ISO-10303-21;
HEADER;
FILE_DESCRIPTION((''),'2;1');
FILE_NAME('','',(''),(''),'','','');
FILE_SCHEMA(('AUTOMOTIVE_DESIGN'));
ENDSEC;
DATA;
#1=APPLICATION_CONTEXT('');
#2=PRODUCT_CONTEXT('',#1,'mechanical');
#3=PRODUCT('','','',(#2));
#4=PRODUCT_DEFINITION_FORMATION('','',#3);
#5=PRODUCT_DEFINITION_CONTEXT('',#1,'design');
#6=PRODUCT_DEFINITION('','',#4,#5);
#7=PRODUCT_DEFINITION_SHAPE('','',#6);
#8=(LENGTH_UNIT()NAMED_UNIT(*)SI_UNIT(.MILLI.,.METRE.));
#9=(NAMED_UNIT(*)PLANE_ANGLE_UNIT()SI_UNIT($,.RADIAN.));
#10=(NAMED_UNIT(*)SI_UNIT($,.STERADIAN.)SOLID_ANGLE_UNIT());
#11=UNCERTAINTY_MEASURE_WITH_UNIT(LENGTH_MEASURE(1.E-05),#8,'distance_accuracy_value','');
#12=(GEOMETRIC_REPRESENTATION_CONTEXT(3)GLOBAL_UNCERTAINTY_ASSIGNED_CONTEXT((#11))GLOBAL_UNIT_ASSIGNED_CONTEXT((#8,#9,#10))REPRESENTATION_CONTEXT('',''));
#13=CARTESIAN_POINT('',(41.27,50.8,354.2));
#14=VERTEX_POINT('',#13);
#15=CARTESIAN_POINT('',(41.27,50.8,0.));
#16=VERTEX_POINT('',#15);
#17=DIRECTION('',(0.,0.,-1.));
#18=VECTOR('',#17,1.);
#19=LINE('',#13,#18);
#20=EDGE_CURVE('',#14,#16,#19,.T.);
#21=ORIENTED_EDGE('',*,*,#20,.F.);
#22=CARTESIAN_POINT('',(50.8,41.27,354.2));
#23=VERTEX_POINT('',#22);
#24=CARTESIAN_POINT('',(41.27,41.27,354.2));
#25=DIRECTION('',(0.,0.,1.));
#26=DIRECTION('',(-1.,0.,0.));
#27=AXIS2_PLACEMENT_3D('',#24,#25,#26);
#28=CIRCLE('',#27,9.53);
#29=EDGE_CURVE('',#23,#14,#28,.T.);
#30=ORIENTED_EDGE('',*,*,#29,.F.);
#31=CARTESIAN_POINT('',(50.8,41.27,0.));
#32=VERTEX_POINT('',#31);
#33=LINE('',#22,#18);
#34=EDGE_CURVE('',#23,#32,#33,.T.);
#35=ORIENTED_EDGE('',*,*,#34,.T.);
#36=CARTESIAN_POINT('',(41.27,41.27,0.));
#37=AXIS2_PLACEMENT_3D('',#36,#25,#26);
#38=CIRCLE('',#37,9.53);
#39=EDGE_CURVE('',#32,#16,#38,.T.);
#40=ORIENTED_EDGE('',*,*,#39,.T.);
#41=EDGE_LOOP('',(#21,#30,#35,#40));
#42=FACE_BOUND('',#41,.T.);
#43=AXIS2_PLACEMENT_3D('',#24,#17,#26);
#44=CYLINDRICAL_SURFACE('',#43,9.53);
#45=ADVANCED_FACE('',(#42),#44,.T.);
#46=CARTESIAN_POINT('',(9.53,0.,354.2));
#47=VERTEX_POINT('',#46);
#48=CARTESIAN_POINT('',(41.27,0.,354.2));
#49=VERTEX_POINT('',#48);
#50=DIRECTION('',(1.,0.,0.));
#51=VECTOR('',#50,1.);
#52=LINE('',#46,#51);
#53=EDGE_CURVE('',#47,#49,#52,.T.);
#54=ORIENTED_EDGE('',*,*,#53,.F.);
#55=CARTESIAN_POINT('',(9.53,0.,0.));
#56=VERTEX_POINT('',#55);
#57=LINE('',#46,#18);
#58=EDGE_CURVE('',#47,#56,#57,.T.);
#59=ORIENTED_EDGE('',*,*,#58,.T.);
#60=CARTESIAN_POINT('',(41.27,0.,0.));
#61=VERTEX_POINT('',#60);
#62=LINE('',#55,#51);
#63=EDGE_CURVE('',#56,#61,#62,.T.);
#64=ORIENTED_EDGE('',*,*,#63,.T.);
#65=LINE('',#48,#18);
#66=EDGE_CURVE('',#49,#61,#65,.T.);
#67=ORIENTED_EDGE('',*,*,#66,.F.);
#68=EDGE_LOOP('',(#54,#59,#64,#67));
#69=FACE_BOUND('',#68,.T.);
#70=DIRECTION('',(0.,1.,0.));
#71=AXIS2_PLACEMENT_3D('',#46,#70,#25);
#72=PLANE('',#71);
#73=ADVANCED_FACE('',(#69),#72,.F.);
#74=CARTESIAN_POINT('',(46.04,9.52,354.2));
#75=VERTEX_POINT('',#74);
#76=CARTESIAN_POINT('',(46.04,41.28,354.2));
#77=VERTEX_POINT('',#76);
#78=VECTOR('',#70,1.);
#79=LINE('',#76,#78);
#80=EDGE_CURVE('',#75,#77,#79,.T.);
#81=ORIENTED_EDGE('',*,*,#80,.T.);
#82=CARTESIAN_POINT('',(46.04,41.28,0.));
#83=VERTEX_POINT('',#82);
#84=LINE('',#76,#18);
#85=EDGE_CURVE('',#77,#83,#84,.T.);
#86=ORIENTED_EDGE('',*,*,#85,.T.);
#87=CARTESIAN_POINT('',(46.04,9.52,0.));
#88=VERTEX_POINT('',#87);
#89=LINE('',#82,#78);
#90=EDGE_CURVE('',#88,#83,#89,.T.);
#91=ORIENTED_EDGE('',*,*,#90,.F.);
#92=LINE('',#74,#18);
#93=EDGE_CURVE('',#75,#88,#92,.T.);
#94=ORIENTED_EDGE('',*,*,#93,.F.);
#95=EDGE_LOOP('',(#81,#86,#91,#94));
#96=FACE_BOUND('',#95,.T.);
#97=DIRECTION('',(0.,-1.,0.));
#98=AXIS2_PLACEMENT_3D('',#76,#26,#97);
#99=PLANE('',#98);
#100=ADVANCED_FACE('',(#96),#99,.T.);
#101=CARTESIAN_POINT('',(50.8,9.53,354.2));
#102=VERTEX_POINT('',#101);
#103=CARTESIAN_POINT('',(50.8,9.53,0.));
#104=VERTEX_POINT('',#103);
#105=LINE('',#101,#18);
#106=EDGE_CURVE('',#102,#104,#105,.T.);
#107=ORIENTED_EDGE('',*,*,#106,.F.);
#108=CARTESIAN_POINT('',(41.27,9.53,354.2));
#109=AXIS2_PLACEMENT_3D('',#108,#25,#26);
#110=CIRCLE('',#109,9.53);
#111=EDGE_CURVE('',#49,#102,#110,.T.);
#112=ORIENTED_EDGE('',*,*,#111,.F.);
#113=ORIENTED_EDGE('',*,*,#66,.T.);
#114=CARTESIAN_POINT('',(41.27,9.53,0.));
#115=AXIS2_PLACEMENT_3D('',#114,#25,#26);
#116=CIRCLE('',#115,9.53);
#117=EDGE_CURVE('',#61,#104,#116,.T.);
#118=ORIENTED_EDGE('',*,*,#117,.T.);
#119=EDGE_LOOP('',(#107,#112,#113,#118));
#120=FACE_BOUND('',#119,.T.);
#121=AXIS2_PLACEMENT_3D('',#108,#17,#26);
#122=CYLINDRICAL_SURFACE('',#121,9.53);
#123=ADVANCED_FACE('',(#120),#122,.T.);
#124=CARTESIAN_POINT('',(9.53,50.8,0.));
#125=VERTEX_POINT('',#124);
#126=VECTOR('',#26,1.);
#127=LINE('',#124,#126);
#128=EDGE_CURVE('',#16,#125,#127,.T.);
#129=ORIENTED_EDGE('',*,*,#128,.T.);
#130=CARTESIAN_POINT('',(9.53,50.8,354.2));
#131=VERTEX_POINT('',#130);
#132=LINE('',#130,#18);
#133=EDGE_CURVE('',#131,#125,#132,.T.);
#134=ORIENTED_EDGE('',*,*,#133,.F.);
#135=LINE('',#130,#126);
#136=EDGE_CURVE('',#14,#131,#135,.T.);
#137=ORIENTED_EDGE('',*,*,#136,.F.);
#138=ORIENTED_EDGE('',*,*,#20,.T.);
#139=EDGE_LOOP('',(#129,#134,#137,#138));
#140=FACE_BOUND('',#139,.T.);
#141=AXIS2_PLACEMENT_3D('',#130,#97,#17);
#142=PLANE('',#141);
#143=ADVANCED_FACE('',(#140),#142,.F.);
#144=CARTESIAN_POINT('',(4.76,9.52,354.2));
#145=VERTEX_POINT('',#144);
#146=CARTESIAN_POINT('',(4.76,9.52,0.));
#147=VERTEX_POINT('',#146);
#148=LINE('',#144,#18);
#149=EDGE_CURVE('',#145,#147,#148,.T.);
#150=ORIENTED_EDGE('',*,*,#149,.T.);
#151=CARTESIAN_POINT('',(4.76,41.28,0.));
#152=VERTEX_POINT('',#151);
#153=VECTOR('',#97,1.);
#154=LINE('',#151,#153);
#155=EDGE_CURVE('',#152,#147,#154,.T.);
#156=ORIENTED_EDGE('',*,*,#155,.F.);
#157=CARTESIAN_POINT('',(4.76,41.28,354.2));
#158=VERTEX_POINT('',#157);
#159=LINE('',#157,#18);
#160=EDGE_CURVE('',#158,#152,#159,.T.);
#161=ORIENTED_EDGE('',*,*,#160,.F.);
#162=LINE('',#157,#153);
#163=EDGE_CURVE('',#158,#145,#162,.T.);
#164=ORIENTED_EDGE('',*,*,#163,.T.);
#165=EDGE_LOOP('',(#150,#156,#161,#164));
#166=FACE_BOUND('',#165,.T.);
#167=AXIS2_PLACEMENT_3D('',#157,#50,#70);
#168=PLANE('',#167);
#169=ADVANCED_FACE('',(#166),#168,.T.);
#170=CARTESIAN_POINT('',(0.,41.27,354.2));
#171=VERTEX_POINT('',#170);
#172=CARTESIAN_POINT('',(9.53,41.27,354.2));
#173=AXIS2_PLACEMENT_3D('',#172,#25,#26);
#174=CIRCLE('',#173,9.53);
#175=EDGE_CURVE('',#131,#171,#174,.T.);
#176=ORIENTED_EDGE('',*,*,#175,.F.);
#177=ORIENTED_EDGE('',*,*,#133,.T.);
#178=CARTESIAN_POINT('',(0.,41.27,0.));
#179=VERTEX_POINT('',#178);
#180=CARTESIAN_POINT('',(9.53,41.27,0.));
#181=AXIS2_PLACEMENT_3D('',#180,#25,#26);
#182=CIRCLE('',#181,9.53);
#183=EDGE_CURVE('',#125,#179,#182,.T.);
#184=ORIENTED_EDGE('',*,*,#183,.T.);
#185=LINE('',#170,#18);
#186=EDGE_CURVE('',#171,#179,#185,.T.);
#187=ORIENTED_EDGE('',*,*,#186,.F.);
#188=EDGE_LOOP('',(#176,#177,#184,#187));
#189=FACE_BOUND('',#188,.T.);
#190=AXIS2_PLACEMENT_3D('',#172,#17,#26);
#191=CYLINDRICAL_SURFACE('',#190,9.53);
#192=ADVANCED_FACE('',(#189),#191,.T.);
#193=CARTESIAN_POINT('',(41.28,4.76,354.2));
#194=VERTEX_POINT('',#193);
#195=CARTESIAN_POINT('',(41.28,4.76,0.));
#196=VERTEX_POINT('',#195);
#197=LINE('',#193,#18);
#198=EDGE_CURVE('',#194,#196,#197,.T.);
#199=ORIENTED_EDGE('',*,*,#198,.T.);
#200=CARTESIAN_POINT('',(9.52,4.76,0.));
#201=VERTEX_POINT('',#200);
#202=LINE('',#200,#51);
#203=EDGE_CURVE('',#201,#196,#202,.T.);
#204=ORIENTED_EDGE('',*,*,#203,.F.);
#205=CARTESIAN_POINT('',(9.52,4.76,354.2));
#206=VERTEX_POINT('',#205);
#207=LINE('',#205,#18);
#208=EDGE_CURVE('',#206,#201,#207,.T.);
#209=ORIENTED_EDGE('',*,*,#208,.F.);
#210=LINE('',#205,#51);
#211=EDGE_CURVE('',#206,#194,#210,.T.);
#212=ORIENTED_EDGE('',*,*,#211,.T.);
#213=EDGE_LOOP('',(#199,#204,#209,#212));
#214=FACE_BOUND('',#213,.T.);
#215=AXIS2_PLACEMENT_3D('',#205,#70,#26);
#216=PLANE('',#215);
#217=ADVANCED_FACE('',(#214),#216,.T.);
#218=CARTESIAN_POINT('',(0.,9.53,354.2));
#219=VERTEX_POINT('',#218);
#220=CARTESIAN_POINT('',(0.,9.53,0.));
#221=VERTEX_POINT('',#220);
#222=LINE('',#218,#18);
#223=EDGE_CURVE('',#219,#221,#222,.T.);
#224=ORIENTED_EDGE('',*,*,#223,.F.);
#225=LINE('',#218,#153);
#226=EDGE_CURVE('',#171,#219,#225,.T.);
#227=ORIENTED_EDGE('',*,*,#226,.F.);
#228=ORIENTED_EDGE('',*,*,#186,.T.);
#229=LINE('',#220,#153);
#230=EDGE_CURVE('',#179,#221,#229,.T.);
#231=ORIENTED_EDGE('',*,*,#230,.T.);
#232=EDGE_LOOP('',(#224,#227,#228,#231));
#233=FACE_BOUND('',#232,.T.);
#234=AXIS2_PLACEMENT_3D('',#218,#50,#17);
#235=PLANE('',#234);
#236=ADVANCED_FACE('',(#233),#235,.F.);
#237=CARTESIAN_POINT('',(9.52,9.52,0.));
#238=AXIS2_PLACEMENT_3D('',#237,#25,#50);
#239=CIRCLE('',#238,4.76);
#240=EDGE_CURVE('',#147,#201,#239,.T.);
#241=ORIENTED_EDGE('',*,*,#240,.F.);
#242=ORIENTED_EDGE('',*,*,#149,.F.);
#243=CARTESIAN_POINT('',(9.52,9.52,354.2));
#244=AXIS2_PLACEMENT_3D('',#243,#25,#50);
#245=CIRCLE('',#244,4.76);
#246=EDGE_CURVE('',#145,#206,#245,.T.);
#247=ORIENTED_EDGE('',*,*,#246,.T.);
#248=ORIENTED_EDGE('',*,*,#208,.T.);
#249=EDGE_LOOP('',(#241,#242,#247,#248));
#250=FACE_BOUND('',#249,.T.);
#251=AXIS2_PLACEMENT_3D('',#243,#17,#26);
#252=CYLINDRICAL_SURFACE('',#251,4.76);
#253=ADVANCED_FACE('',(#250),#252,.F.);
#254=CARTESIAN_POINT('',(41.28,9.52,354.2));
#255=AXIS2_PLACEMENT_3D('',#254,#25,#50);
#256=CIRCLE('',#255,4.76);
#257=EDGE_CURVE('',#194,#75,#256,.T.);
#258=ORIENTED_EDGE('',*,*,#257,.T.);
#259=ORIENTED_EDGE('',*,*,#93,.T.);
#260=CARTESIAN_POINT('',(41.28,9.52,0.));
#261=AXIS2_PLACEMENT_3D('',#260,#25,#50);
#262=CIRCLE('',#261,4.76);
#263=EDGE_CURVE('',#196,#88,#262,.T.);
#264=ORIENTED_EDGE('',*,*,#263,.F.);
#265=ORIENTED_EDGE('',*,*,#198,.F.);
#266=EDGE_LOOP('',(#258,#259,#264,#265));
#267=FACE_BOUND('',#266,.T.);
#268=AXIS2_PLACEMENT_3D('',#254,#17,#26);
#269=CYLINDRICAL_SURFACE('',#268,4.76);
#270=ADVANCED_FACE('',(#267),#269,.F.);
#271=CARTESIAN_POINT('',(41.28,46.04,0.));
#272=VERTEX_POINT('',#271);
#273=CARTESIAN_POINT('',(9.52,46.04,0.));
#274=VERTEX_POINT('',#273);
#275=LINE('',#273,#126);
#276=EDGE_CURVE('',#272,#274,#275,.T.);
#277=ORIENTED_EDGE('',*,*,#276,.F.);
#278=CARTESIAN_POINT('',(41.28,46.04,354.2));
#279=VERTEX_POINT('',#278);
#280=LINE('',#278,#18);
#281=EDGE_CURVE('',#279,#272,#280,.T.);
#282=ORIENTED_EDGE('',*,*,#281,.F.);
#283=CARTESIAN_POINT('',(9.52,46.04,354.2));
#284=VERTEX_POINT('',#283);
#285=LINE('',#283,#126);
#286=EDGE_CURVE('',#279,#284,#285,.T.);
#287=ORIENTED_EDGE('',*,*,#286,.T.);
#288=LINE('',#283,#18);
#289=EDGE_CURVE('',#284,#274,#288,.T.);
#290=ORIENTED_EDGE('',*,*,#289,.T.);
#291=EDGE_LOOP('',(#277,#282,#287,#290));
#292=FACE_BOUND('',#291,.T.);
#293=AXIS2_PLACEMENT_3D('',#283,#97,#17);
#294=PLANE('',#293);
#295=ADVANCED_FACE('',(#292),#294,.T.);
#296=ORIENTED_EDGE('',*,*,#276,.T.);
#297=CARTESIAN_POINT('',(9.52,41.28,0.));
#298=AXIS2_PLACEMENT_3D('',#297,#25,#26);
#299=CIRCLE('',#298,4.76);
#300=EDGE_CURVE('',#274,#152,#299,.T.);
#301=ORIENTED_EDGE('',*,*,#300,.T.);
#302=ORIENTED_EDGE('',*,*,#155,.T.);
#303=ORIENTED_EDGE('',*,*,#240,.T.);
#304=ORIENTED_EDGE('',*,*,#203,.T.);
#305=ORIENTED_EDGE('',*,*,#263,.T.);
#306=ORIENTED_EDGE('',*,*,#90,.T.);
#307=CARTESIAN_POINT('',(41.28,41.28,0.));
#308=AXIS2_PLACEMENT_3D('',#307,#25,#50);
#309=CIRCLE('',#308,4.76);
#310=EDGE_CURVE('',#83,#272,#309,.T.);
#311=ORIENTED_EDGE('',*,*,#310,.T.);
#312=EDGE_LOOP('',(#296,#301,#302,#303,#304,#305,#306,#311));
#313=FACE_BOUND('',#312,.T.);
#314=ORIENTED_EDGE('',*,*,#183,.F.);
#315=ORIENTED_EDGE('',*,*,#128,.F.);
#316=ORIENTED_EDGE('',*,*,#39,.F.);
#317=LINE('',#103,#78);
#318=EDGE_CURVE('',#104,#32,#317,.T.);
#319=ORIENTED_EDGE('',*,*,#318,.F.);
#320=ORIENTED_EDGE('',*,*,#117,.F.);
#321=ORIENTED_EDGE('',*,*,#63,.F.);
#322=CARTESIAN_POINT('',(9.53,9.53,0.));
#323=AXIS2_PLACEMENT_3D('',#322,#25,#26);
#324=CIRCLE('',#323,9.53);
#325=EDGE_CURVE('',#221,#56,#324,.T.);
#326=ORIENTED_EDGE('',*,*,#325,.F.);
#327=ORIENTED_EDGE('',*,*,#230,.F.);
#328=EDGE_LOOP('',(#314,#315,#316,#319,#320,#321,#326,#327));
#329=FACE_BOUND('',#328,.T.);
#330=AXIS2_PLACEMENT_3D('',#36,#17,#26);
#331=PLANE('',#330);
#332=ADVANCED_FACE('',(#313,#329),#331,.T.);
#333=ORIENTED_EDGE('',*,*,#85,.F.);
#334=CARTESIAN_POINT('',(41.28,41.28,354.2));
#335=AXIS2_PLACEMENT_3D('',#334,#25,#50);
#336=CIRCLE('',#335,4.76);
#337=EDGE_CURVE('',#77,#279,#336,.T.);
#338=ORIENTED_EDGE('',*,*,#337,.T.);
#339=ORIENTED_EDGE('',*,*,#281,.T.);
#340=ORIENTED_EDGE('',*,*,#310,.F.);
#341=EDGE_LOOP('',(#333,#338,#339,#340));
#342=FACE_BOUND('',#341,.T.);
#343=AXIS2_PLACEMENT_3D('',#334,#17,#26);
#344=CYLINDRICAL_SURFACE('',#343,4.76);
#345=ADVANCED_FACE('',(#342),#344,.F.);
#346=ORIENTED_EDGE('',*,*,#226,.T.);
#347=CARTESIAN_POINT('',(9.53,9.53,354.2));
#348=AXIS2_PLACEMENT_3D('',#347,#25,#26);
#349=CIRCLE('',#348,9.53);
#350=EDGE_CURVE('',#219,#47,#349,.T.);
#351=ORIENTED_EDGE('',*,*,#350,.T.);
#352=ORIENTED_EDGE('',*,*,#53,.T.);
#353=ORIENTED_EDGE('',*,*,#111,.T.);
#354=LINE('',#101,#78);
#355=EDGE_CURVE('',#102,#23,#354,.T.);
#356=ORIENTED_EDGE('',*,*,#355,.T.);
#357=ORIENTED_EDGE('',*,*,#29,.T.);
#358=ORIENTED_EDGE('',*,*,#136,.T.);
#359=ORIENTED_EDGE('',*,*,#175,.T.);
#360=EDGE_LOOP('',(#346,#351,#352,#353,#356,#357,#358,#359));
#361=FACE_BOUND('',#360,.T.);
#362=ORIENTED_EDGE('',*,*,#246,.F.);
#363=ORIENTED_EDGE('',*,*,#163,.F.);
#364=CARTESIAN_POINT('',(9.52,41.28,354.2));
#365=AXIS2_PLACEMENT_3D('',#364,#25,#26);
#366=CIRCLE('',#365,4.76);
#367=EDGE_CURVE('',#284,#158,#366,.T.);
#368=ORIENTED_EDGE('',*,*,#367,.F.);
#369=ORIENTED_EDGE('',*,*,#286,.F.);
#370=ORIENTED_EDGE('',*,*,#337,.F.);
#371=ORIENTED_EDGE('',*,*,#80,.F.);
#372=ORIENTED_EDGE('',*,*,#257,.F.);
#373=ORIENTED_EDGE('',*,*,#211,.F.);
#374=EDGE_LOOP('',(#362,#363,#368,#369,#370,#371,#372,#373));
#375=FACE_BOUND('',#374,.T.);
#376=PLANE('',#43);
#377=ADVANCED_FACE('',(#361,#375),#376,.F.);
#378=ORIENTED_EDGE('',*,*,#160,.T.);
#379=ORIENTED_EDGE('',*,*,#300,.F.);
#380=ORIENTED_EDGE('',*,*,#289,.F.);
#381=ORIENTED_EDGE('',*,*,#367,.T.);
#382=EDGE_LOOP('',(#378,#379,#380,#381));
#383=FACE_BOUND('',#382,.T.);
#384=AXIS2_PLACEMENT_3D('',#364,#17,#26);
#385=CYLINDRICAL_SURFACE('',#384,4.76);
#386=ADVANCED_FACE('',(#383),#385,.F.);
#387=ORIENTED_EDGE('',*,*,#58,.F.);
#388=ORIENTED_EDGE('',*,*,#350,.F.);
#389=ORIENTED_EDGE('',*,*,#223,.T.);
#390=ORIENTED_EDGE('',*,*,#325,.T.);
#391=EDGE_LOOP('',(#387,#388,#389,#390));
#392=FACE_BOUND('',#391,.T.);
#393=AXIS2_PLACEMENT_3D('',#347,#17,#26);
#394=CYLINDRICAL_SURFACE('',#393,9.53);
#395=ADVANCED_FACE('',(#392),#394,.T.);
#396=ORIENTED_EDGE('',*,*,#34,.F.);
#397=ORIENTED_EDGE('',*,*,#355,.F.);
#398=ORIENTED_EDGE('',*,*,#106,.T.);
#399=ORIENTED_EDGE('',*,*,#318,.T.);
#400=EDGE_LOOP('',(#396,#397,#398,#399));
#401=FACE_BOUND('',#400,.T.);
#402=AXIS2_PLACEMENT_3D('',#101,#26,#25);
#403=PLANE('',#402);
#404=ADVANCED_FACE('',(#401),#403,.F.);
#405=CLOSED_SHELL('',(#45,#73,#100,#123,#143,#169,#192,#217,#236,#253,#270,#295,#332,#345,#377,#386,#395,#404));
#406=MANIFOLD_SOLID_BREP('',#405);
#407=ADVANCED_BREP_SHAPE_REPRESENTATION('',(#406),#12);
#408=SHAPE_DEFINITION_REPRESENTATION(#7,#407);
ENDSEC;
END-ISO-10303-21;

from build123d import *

# Parameters (mm, degrees)
DODANIE_WYCI_GNI_CIE1_DEPTH = 354.2


with BuildPart() as part:
    # Szkic1 → Dodanie-wyciągnięcie1 (new body)
    with BuildSketch(Plane.XY):
        with BuildLine():
            Line((9.53, 0), (41.27, 0))
            ThreePointArc((41.27, 0), (48.008727625, 2.791272375), (50.8, 9.53))
            Line((50.8, 9.53), (50.8, 41.27))
            ThreePointArc((50.8, 41.27), (48.008727625, 48.008727625), (41.27, 50.8))
            Line((41.27, 50.8), (9.53, 50.8))
            ThreePointArc((9.53, 50.8), (2.791272375, 48.008727625), (0, 41.27))
            Line((0, 41.27), (0, 9.53))
            ThreePointArc((0, 9.53), (2.791272375, 2.791272375), (9.53, 0))
        make_face()
        with BuildLine():
            Line((9.52, 46.04), (41.28, 46.04))
            ThreePointArc((41.28, 46.04), (44.645828278, 44.645828278), (46.04, 41.28))
            Line((46.04, 41.28), (46.04, 9.52))
            ThreePointArc((46.04, 9.52), (44.645828278, 6.154171722), (41.28, 4.76))
            Line((41.28, 4.76), (9.52, 4.76))
            ThreePointArc((9.52, 4.76), (6.154171722, 6.154171722), (4.76, 9.52))
            Line((4.76, 9.52), (4.76, 41.28))
            ThreePointArc((4.76, 41.28), (6.154171722, 44.645828278), (9.52, 46.04))
        make_face(mode=Mode.SUBTRACT)
    extrude(amount=DODANIE_WYCI_GNI_CIE1_DEPTH)


solid = part.part
